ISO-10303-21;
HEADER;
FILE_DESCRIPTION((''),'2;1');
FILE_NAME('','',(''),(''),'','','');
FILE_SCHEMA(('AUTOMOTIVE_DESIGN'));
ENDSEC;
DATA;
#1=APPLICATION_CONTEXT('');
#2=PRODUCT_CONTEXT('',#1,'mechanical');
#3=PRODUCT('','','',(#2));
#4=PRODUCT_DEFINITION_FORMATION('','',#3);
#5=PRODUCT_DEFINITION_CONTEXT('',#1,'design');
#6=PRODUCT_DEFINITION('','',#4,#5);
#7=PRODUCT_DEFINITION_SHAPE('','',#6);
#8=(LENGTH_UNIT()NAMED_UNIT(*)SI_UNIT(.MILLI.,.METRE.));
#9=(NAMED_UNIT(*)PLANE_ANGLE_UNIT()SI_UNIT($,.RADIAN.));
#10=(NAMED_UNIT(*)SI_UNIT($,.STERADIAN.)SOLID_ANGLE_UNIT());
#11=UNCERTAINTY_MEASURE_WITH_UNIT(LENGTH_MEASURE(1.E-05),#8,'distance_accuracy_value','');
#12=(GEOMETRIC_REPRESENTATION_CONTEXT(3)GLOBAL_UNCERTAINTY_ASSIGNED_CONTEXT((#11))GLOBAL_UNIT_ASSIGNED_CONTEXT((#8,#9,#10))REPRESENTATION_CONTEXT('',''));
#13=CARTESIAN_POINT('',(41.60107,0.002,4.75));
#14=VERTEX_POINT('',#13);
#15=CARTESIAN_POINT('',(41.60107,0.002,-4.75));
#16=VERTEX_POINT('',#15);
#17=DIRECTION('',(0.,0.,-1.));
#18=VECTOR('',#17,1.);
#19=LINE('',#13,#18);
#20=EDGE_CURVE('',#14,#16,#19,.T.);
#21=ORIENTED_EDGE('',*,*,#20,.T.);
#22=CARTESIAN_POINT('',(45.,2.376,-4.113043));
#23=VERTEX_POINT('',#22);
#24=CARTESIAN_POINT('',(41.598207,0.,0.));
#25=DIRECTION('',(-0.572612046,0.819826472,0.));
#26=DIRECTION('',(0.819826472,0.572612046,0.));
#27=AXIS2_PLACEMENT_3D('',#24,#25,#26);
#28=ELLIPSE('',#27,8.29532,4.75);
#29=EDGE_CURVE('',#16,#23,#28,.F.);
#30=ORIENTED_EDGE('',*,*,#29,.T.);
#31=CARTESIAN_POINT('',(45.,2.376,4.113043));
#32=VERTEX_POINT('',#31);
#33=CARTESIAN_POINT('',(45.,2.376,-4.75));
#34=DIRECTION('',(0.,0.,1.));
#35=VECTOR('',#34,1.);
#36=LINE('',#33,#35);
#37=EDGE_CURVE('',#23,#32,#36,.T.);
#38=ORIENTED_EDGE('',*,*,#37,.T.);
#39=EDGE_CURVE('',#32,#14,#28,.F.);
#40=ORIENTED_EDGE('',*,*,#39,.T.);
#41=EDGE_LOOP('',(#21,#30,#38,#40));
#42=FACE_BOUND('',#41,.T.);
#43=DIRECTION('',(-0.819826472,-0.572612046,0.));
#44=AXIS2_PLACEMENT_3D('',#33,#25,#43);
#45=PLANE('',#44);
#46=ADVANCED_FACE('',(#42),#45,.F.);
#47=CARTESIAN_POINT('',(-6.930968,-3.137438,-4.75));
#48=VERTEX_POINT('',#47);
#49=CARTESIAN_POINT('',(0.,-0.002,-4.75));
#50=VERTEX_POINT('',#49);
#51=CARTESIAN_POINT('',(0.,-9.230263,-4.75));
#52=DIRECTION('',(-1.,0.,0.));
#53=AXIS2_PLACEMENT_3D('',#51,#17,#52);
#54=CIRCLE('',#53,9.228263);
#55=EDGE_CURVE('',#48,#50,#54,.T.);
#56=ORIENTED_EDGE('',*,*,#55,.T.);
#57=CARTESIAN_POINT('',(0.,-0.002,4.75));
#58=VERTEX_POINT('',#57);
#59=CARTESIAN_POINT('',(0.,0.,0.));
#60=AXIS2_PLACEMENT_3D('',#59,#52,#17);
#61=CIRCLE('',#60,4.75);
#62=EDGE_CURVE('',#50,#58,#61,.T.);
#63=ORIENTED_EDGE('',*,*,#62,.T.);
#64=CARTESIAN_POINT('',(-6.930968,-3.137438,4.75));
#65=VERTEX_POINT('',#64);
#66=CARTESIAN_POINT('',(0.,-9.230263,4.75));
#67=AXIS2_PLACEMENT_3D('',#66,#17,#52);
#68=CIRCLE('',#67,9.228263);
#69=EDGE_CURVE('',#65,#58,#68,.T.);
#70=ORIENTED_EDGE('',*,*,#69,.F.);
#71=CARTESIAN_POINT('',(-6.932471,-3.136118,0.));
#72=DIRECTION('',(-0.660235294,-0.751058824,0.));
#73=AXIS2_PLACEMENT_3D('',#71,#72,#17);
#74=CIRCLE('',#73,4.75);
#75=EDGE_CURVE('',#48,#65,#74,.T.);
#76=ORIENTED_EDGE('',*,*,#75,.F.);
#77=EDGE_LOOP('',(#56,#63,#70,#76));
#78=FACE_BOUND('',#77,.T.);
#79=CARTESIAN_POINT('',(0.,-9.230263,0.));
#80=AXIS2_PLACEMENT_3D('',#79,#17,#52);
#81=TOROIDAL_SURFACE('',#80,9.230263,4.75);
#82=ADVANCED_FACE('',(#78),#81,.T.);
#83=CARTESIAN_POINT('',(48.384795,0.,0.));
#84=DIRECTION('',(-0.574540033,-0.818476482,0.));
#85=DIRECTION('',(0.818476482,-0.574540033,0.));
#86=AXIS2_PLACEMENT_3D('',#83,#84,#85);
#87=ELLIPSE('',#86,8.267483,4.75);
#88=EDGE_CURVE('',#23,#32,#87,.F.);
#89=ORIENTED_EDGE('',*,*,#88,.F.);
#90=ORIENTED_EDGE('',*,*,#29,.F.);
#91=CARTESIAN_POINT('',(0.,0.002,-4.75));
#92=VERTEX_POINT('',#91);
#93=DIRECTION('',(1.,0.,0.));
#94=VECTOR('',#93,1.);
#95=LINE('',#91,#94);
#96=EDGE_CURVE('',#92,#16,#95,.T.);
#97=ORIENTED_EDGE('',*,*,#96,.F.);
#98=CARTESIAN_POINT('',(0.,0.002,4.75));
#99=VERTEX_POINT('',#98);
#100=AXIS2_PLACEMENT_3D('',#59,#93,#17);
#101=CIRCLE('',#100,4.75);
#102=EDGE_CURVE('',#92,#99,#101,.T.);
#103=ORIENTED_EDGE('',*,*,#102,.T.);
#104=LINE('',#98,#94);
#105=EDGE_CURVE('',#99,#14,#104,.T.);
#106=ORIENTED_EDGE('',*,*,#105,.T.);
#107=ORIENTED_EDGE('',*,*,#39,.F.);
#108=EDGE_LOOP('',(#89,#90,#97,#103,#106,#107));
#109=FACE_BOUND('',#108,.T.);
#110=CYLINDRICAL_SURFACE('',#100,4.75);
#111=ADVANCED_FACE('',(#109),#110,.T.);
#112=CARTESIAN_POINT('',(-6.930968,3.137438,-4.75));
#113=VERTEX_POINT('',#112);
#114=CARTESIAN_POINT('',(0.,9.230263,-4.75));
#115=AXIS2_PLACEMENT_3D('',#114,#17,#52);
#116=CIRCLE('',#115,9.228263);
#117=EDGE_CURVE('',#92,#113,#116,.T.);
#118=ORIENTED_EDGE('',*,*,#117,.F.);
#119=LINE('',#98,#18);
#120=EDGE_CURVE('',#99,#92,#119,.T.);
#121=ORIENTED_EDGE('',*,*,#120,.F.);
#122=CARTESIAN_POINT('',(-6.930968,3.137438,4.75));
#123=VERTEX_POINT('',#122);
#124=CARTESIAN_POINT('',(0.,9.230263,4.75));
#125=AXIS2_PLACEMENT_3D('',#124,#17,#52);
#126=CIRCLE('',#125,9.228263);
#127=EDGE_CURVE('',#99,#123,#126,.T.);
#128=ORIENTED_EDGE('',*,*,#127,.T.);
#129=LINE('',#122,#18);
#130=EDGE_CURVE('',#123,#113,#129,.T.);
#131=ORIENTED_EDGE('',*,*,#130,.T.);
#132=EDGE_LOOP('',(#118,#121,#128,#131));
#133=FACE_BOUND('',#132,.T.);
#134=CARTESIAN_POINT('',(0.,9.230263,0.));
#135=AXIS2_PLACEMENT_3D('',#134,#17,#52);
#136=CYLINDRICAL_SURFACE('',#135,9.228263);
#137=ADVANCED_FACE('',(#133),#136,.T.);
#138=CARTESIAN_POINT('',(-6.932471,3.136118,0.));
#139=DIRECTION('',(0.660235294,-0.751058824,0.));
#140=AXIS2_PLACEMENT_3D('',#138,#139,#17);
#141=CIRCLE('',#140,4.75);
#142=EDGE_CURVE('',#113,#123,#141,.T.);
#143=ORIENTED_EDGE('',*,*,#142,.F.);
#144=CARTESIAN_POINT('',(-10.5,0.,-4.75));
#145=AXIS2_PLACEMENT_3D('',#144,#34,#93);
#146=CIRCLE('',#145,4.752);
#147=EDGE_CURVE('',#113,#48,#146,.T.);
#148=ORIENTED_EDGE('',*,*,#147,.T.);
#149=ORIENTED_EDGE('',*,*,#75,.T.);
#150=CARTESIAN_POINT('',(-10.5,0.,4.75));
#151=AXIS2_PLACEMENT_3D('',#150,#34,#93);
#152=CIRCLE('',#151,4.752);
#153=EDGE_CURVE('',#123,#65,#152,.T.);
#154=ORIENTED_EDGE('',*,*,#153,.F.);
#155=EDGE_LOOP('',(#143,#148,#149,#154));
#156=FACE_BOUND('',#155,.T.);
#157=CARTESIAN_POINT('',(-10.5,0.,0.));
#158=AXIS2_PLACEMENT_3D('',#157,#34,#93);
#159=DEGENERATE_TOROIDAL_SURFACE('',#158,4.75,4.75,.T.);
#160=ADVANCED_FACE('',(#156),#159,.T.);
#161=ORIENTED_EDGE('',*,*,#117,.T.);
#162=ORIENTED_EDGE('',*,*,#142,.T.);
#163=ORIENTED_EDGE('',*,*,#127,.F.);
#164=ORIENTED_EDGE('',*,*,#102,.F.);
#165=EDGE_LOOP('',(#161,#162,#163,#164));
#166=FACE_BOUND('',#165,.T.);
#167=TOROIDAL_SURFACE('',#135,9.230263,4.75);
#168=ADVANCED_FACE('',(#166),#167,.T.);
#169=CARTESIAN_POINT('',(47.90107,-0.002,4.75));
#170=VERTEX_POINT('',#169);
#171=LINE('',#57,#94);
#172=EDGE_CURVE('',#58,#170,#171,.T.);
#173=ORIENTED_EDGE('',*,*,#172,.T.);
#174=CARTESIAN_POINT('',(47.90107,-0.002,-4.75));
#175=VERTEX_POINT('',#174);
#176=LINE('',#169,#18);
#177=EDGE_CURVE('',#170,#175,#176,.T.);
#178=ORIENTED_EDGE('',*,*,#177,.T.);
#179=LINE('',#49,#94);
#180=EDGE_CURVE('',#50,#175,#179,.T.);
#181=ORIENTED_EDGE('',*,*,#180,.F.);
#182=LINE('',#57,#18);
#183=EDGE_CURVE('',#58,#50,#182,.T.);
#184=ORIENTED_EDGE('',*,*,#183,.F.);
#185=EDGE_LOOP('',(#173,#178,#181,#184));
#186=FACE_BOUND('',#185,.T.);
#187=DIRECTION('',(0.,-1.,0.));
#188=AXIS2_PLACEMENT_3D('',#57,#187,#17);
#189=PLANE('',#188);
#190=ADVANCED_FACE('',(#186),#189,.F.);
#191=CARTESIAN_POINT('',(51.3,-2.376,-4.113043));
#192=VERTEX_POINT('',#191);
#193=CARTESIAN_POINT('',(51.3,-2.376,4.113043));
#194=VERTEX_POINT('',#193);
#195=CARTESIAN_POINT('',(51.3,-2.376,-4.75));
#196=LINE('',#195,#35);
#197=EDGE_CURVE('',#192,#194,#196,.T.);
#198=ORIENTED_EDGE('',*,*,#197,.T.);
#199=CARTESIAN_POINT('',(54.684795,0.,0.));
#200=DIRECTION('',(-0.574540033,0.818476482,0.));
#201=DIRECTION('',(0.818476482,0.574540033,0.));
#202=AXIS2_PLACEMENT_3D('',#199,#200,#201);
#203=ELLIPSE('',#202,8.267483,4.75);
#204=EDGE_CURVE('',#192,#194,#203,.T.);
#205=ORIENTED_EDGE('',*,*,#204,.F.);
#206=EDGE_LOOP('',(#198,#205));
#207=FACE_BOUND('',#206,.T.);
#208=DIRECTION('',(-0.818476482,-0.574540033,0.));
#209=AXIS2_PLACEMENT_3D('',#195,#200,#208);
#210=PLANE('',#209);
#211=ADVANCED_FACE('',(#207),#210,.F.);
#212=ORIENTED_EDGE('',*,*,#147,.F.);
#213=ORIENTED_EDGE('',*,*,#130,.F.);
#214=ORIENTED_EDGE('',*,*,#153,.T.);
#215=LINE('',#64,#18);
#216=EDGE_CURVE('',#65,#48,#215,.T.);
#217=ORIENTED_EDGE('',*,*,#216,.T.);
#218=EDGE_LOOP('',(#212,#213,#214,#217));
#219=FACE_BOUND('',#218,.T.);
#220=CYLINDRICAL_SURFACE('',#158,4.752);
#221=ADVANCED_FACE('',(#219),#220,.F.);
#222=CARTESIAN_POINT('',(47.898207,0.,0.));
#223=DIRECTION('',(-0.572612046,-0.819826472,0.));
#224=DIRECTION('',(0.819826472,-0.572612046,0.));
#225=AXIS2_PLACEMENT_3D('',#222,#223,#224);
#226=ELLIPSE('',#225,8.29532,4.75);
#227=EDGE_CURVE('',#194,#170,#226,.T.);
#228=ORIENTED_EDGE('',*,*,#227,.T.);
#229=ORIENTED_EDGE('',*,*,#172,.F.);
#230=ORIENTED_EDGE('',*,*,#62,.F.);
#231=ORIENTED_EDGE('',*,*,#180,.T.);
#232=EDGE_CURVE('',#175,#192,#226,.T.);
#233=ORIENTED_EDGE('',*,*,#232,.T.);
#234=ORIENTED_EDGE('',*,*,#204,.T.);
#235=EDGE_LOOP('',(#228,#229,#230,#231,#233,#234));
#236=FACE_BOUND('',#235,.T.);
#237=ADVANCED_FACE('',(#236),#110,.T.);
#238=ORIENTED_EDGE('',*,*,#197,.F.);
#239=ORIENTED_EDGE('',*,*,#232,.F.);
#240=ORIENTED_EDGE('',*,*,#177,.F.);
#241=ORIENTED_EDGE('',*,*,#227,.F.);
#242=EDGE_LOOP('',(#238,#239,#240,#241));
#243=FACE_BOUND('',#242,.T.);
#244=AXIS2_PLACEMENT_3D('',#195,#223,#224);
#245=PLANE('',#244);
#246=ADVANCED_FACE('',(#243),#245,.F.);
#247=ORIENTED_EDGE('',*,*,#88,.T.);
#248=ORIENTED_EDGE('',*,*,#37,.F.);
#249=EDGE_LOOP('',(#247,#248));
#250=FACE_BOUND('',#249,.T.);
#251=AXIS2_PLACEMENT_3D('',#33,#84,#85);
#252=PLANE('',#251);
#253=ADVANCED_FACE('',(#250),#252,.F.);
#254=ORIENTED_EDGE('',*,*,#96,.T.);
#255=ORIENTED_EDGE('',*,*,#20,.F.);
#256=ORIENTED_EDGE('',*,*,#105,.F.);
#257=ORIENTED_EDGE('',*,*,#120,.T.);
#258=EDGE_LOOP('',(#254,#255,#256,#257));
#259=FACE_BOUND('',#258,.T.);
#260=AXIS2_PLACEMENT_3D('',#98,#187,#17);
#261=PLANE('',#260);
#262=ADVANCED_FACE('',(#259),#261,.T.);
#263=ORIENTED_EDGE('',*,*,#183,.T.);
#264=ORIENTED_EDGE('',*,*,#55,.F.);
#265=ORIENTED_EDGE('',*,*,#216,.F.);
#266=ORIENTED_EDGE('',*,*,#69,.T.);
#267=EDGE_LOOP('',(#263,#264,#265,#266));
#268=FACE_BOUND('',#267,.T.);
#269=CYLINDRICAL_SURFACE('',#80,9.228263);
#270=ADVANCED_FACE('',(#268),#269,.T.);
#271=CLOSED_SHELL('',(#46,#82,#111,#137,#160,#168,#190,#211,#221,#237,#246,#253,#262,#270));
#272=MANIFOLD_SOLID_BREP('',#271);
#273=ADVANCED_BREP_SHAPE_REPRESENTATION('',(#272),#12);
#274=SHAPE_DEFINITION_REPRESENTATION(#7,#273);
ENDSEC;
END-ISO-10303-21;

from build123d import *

# Parameters (mm, degrees)
CONECUT_DEPTH      = 53.387999569
CONECUT_DEPTH_BACK = 53.387999569


with BuildPart() as part:
    # Body: sweep along a path in PathSke
    with BuildLine(Plane.XY) as body_path:
        Line((45, 4.75), (0, 4.75))
        ThreePointArc((0, 4.75), (-1.846620522, 5.148259898), (-3.364941176, 6.272235294))
        ThreePointArc((-3.364941176, 6.272235294), (-20, 0), (-3.364941176, -6.272235294))
        ThreePointArc((-3.364941176, -6.272235294), (-1.846620522, -5.148259898), (0, -4.75))
        Line((0, -4.75), (51.3, -4.75))
    # SectionSke → Body (sweep)
    with BuildSketch(Plane(origin=(45, 0, 0), x_dir=(0, 0, -1), z_dir=(1, 0, 0))):
        with BuildLine():
            Line((-4.749999579, 0.002), (4.749999579, 0.002))
            ThreePointArc((4.749999579, 0.002), (0, 4.75), (-4.749999579, 0.002))
        make_face()
    sweep(path=body_path.line)

    # ConeCutSke → ConeCut (cut, two sides: drawn at the far end of the back side and taken through both)
    with BuildSketch(Plane.XY.offset(-CONECUT_DEPTH_BACK)):
        Polygon((45, 2.376), (41.603808574, 4.76), (51.31, 4.76), (51.31, -4.76), (47.903808574, -4.76), (51.3, -2.376), (47.898206914, 0), (41.598206914, 0), align=None)
    extrude(amount=CONECUT_DEPTH + CONECUT_DEPTH_BACK, mode=Mode.SUBTRACT)


solid = part.part
